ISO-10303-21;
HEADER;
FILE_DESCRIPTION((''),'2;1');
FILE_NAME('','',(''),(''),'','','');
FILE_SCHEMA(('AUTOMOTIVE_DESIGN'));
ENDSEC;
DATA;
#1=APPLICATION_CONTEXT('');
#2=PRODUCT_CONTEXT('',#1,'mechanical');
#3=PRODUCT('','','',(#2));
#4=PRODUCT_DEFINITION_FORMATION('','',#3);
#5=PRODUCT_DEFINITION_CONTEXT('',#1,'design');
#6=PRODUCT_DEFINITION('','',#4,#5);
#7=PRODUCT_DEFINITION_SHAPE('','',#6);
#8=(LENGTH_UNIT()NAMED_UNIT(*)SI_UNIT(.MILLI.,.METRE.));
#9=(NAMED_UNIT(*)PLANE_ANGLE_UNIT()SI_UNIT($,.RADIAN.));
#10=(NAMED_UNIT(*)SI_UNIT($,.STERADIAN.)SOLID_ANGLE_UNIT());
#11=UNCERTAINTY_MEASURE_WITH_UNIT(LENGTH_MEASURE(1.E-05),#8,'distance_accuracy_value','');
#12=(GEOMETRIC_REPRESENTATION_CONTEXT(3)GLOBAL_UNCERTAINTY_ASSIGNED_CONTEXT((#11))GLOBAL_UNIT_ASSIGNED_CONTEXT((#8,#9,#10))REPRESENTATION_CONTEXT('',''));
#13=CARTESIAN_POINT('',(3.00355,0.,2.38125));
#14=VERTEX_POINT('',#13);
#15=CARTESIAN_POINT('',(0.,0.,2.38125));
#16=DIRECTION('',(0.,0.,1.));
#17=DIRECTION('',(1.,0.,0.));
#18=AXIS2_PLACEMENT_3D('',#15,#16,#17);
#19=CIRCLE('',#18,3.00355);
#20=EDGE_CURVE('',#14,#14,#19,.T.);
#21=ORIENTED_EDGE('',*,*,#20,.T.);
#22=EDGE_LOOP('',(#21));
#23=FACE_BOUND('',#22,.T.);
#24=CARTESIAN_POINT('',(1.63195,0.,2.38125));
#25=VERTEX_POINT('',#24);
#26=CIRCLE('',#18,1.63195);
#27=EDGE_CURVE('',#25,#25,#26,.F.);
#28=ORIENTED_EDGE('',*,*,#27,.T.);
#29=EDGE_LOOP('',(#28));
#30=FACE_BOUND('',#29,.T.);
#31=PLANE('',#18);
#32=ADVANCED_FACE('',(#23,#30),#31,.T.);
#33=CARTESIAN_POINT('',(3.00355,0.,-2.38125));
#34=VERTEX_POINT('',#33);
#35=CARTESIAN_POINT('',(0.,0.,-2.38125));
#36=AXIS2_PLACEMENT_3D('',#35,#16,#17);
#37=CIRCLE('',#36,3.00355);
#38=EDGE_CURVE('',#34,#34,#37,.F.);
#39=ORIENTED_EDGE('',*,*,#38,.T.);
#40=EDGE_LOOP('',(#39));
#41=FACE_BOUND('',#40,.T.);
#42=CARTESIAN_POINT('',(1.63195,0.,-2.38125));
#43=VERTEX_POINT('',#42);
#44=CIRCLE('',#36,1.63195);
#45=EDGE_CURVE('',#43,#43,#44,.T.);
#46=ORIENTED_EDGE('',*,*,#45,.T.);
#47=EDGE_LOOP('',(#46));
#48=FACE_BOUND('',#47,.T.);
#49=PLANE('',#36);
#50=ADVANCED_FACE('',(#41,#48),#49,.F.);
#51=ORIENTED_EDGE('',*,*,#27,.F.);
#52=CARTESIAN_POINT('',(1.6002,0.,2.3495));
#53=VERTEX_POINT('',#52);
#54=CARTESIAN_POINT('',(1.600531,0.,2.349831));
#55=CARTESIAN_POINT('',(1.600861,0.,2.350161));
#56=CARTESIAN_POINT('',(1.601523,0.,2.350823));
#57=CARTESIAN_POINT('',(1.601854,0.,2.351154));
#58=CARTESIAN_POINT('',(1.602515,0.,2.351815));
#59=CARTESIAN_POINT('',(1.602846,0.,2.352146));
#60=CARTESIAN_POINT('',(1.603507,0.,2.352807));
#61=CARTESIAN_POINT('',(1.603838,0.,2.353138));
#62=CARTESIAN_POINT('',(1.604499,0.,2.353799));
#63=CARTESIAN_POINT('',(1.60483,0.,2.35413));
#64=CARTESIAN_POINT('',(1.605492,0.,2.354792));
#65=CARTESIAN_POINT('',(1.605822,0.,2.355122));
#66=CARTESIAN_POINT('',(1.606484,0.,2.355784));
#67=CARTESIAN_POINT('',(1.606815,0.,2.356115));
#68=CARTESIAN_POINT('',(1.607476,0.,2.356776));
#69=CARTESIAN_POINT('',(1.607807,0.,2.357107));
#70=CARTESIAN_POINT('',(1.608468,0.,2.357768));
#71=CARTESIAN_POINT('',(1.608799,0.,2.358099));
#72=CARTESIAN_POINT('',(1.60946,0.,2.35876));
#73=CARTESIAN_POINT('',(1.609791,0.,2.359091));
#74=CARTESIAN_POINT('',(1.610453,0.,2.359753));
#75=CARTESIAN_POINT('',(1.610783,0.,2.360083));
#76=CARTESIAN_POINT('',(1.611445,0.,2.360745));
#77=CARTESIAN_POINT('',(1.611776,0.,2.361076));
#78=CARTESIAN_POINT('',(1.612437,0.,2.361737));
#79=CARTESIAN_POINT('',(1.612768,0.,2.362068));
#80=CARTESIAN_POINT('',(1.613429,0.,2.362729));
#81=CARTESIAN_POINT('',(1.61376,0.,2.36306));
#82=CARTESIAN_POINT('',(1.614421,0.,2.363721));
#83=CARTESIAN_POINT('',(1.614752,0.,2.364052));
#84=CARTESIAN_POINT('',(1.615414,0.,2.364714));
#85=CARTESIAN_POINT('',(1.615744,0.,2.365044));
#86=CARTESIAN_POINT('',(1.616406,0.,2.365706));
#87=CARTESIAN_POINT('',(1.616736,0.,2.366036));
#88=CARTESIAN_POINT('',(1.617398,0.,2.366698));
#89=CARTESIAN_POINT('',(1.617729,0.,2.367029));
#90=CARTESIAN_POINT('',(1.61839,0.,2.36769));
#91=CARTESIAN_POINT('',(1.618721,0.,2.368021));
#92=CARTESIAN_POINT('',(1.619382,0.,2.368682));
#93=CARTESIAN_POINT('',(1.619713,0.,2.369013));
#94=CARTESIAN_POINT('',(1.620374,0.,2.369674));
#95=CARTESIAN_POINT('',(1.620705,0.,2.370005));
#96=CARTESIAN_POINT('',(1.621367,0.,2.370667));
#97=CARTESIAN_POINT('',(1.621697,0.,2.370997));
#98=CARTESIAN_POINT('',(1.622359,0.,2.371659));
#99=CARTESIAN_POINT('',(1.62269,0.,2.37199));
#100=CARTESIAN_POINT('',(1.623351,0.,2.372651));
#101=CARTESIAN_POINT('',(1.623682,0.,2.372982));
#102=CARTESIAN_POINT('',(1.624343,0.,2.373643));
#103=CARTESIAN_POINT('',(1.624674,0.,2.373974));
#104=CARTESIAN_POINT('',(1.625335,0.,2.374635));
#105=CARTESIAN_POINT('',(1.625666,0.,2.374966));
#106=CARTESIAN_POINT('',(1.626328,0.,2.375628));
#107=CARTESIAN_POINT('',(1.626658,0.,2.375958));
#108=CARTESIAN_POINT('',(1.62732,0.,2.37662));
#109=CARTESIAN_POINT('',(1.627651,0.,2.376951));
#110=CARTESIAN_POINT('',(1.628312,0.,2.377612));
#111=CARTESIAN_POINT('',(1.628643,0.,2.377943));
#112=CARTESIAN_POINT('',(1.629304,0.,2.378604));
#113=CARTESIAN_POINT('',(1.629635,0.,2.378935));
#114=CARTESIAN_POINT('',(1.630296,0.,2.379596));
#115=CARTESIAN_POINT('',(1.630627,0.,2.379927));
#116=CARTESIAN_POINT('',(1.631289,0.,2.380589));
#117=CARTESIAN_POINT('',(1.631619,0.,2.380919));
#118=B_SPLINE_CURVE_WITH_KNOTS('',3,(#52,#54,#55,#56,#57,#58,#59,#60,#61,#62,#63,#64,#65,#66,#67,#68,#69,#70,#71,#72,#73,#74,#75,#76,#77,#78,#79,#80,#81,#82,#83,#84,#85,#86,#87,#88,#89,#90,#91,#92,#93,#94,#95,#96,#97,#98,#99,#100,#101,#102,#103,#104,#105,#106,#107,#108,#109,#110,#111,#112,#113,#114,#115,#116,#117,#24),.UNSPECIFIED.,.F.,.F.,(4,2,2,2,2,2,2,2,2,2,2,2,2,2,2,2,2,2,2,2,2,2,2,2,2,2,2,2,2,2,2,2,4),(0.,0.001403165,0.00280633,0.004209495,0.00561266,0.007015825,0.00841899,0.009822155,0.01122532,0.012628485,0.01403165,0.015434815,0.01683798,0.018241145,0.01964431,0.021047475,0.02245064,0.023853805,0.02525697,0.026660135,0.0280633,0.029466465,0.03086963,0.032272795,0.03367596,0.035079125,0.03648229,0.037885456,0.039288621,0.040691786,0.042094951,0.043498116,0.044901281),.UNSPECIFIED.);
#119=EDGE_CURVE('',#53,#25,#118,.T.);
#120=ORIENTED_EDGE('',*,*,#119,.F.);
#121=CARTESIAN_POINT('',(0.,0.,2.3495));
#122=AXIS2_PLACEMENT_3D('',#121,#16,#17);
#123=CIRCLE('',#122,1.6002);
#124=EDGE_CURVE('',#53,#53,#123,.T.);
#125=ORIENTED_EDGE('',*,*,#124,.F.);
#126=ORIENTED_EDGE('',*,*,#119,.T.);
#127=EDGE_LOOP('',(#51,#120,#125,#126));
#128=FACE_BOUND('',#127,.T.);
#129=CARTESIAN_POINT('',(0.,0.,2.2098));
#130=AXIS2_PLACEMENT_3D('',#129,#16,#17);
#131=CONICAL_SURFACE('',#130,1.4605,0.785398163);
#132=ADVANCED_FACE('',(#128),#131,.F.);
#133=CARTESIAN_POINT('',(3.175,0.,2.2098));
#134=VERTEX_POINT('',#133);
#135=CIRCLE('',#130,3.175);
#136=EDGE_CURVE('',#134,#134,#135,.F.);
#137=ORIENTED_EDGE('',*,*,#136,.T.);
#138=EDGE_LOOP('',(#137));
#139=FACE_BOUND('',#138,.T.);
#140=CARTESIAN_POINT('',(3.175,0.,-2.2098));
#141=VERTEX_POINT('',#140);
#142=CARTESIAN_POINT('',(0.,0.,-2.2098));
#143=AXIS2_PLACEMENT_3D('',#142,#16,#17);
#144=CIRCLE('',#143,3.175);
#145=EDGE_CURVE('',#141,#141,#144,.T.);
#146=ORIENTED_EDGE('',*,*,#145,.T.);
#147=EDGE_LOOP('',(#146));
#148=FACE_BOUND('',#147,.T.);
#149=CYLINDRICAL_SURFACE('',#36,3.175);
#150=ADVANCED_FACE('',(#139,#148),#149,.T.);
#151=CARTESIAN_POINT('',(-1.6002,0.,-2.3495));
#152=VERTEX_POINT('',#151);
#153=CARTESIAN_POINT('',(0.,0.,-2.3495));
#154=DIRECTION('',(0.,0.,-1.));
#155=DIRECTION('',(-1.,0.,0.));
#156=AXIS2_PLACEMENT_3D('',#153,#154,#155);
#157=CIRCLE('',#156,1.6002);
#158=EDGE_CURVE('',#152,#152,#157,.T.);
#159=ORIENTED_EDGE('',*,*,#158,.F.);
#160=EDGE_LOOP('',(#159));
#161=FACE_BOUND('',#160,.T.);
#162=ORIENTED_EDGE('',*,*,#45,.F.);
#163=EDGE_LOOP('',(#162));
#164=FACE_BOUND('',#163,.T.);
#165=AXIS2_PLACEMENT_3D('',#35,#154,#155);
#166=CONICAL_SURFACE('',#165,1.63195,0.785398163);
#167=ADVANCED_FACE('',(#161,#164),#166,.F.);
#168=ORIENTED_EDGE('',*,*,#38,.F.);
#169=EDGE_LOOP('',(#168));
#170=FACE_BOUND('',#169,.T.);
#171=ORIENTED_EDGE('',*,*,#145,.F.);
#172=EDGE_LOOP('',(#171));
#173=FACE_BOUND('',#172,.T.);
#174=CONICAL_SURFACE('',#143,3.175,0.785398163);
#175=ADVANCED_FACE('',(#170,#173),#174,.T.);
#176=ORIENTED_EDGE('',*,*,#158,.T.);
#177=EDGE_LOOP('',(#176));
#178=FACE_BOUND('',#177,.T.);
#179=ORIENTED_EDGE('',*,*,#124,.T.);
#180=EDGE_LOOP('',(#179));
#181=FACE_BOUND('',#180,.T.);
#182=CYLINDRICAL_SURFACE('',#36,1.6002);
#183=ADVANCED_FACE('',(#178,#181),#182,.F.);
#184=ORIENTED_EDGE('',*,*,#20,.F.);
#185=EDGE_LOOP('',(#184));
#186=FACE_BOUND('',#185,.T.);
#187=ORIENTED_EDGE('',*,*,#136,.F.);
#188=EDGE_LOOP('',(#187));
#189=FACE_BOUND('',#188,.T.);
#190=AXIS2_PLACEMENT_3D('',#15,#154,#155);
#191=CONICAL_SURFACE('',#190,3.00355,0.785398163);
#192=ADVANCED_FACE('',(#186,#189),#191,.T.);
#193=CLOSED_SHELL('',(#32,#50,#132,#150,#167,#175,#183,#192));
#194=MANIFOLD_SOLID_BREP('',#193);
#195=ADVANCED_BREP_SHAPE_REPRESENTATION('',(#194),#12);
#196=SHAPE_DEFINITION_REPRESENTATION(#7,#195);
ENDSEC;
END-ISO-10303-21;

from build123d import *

# Parameters (mm, degrees)
BOSS_EXTRUDE1_DEPTH      = 2.38125
BOSS_EXTRUDE1_DEPTH_BACK = 2.38125
SKETCH3_R                = 3.175
SKETCH3_R_2              = 1.4605
CHAMFER1_SIZE            = 0.17145
CUT_EXTRUDE1_DEPTH       = 6.082479863
CUT_EXTRUDE1_DEPTH_BACK  = 6.082479863
SKETCH4_R                = 1.6002


with BuildPart() as part:
    # Sketch3 → Boss-Extrude1 (new, two sides: drawn at the far end of the back side and taken through both)
    with BuildSketch(Plane.XY.offset(-BOSS_EXTRUDE1_DEPTH_BACK)):
        Circle(SKETCH3_R)
        Circle(SKETCH3_R_2, mode=Mode.SUBTRACT)
    extrude(amount=BOSS_EXTRUDE1_DEPTH + BOSS_EXTRUDE1_DEPTH_BACK)

    # Chamfer1
    chamfer1_edges = [part.edges().sort_by_distance(p)[0] for p in [
        (-3.175, 0, -2.38125),
        (-1.4605, 0, -2.38125),
        (-3.175, 0, 2.38125),
        (-1.4605, 0, 2.38125),
    ]]
    chamfer(chamfer1_edges, length=CHAMFER1_SIZE)

    # Sketch4 → Cut-Extrude1 (cut, two sides: drawn at the far end of the back side and taken through both)
    with BuildSketch(Plane.XY.offset(-CUT_EXTRUDE1_DEPTH_BACK)):
        Circle(SKETCH4_R)
    extrude(amount=CUT_EXTRUDE1_DEPTH + CUT_EXTRUDE1_DEPTH_BACK, mode=Mode.SUBTRACT)


solid = part.part
